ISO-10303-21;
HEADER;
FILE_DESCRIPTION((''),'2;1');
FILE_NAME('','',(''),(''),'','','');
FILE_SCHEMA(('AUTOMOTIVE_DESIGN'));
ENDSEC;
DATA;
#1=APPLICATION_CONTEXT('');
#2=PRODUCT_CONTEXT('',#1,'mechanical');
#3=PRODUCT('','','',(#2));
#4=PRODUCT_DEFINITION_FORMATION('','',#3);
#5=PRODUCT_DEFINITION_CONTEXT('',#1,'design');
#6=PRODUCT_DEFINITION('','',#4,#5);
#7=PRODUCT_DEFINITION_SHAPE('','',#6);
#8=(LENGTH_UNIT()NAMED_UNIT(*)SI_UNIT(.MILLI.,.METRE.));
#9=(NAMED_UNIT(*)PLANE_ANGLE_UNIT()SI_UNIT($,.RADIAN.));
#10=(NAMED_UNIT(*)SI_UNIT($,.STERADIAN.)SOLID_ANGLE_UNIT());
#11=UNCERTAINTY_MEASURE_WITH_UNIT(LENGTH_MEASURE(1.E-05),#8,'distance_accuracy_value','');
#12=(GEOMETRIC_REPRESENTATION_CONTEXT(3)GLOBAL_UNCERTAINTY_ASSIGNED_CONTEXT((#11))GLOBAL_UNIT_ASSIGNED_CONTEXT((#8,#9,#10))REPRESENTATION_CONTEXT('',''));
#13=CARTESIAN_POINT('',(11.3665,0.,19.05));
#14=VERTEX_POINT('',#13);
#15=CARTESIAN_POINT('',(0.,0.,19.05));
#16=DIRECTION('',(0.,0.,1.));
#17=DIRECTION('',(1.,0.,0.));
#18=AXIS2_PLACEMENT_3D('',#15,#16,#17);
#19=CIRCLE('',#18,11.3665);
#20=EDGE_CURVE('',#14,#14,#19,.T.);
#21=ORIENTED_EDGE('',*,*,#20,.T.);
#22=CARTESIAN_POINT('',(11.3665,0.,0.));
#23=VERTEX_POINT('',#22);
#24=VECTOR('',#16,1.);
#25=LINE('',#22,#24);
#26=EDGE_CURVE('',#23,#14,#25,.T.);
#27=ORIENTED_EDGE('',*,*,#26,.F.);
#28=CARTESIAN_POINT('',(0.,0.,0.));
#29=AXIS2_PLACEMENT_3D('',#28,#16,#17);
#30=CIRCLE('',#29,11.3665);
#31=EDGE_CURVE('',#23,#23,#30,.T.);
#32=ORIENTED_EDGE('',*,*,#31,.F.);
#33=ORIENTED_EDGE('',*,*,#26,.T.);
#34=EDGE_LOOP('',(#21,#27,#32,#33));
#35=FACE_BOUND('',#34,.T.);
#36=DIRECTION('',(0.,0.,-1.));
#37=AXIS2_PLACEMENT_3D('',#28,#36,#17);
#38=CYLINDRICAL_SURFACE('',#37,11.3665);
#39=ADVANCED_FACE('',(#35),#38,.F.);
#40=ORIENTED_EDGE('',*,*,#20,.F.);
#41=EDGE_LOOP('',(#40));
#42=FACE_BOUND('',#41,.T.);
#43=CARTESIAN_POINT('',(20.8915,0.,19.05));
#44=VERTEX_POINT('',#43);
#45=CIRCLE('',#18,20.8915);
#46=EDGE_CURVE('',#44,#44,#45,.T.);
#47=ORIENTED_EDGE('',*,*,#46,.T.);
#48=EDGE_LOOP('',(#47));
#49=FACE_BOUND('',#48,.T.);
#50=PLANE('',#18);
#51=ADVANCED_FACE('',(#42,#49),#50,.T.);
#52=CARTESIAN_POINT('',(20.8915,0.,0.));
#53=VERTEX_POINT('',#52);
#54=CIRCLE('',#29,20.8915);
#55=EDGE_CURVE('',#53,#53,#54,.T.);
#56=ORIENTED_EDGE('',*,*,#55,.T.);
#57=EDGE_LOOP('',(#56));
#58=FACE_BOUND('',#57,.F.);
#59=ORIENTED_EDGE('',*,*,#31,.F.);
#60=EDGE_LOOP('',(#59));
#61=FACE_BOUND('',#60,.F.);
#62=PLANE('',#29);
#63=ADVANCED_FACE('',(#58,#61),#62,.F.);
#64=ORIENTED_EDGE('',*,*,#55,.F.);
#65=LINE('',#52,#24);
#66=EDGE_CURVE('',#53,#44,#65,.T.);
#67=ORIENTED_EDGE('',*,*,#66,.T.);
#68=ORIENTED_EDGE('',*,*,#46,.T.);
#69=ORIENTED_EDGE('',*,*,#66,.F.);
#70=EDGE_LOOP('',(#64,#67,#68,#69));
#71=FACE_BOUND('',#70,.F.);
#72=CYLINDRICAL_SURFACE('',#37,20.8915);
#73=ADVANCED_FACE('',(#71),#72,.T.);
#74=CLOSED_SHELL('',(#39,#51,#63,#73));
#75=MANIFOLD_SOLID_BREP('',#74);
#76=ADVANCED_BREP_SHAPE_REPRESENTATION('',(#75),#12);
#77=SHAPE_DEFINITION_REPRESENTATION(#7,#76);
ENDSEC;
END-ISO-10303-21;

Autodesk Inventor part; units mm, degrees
ref_plane "YZ Plane" through (0, 0, 0) normal (1, 0, 0) x (0, 1, 0)
ref_plane "XZ Plane" through (0, 0, 0) normal (0, 1, 0) x (-1, 0, 0)
ref_plane "XY Plane" through (0, 0, 0) normal (0, 0, 1) x (1, 0, 0)
sketch "Sketch1" plane through (0, 0, 0) normal (0, 0, 1) x (1, 0, 0)
  circle A0 centre (0, 0) radius 11.3665
  circle A1 centre (0, 0) radius 20.8915
  dimension "d0" = 9.525
  dimension "d1" = 22.733
extrude "Extrusion1" add sketch "Sketch1" along normal blind 19.05
properties part number ".875 spacer" material "Aluminum 6061"
